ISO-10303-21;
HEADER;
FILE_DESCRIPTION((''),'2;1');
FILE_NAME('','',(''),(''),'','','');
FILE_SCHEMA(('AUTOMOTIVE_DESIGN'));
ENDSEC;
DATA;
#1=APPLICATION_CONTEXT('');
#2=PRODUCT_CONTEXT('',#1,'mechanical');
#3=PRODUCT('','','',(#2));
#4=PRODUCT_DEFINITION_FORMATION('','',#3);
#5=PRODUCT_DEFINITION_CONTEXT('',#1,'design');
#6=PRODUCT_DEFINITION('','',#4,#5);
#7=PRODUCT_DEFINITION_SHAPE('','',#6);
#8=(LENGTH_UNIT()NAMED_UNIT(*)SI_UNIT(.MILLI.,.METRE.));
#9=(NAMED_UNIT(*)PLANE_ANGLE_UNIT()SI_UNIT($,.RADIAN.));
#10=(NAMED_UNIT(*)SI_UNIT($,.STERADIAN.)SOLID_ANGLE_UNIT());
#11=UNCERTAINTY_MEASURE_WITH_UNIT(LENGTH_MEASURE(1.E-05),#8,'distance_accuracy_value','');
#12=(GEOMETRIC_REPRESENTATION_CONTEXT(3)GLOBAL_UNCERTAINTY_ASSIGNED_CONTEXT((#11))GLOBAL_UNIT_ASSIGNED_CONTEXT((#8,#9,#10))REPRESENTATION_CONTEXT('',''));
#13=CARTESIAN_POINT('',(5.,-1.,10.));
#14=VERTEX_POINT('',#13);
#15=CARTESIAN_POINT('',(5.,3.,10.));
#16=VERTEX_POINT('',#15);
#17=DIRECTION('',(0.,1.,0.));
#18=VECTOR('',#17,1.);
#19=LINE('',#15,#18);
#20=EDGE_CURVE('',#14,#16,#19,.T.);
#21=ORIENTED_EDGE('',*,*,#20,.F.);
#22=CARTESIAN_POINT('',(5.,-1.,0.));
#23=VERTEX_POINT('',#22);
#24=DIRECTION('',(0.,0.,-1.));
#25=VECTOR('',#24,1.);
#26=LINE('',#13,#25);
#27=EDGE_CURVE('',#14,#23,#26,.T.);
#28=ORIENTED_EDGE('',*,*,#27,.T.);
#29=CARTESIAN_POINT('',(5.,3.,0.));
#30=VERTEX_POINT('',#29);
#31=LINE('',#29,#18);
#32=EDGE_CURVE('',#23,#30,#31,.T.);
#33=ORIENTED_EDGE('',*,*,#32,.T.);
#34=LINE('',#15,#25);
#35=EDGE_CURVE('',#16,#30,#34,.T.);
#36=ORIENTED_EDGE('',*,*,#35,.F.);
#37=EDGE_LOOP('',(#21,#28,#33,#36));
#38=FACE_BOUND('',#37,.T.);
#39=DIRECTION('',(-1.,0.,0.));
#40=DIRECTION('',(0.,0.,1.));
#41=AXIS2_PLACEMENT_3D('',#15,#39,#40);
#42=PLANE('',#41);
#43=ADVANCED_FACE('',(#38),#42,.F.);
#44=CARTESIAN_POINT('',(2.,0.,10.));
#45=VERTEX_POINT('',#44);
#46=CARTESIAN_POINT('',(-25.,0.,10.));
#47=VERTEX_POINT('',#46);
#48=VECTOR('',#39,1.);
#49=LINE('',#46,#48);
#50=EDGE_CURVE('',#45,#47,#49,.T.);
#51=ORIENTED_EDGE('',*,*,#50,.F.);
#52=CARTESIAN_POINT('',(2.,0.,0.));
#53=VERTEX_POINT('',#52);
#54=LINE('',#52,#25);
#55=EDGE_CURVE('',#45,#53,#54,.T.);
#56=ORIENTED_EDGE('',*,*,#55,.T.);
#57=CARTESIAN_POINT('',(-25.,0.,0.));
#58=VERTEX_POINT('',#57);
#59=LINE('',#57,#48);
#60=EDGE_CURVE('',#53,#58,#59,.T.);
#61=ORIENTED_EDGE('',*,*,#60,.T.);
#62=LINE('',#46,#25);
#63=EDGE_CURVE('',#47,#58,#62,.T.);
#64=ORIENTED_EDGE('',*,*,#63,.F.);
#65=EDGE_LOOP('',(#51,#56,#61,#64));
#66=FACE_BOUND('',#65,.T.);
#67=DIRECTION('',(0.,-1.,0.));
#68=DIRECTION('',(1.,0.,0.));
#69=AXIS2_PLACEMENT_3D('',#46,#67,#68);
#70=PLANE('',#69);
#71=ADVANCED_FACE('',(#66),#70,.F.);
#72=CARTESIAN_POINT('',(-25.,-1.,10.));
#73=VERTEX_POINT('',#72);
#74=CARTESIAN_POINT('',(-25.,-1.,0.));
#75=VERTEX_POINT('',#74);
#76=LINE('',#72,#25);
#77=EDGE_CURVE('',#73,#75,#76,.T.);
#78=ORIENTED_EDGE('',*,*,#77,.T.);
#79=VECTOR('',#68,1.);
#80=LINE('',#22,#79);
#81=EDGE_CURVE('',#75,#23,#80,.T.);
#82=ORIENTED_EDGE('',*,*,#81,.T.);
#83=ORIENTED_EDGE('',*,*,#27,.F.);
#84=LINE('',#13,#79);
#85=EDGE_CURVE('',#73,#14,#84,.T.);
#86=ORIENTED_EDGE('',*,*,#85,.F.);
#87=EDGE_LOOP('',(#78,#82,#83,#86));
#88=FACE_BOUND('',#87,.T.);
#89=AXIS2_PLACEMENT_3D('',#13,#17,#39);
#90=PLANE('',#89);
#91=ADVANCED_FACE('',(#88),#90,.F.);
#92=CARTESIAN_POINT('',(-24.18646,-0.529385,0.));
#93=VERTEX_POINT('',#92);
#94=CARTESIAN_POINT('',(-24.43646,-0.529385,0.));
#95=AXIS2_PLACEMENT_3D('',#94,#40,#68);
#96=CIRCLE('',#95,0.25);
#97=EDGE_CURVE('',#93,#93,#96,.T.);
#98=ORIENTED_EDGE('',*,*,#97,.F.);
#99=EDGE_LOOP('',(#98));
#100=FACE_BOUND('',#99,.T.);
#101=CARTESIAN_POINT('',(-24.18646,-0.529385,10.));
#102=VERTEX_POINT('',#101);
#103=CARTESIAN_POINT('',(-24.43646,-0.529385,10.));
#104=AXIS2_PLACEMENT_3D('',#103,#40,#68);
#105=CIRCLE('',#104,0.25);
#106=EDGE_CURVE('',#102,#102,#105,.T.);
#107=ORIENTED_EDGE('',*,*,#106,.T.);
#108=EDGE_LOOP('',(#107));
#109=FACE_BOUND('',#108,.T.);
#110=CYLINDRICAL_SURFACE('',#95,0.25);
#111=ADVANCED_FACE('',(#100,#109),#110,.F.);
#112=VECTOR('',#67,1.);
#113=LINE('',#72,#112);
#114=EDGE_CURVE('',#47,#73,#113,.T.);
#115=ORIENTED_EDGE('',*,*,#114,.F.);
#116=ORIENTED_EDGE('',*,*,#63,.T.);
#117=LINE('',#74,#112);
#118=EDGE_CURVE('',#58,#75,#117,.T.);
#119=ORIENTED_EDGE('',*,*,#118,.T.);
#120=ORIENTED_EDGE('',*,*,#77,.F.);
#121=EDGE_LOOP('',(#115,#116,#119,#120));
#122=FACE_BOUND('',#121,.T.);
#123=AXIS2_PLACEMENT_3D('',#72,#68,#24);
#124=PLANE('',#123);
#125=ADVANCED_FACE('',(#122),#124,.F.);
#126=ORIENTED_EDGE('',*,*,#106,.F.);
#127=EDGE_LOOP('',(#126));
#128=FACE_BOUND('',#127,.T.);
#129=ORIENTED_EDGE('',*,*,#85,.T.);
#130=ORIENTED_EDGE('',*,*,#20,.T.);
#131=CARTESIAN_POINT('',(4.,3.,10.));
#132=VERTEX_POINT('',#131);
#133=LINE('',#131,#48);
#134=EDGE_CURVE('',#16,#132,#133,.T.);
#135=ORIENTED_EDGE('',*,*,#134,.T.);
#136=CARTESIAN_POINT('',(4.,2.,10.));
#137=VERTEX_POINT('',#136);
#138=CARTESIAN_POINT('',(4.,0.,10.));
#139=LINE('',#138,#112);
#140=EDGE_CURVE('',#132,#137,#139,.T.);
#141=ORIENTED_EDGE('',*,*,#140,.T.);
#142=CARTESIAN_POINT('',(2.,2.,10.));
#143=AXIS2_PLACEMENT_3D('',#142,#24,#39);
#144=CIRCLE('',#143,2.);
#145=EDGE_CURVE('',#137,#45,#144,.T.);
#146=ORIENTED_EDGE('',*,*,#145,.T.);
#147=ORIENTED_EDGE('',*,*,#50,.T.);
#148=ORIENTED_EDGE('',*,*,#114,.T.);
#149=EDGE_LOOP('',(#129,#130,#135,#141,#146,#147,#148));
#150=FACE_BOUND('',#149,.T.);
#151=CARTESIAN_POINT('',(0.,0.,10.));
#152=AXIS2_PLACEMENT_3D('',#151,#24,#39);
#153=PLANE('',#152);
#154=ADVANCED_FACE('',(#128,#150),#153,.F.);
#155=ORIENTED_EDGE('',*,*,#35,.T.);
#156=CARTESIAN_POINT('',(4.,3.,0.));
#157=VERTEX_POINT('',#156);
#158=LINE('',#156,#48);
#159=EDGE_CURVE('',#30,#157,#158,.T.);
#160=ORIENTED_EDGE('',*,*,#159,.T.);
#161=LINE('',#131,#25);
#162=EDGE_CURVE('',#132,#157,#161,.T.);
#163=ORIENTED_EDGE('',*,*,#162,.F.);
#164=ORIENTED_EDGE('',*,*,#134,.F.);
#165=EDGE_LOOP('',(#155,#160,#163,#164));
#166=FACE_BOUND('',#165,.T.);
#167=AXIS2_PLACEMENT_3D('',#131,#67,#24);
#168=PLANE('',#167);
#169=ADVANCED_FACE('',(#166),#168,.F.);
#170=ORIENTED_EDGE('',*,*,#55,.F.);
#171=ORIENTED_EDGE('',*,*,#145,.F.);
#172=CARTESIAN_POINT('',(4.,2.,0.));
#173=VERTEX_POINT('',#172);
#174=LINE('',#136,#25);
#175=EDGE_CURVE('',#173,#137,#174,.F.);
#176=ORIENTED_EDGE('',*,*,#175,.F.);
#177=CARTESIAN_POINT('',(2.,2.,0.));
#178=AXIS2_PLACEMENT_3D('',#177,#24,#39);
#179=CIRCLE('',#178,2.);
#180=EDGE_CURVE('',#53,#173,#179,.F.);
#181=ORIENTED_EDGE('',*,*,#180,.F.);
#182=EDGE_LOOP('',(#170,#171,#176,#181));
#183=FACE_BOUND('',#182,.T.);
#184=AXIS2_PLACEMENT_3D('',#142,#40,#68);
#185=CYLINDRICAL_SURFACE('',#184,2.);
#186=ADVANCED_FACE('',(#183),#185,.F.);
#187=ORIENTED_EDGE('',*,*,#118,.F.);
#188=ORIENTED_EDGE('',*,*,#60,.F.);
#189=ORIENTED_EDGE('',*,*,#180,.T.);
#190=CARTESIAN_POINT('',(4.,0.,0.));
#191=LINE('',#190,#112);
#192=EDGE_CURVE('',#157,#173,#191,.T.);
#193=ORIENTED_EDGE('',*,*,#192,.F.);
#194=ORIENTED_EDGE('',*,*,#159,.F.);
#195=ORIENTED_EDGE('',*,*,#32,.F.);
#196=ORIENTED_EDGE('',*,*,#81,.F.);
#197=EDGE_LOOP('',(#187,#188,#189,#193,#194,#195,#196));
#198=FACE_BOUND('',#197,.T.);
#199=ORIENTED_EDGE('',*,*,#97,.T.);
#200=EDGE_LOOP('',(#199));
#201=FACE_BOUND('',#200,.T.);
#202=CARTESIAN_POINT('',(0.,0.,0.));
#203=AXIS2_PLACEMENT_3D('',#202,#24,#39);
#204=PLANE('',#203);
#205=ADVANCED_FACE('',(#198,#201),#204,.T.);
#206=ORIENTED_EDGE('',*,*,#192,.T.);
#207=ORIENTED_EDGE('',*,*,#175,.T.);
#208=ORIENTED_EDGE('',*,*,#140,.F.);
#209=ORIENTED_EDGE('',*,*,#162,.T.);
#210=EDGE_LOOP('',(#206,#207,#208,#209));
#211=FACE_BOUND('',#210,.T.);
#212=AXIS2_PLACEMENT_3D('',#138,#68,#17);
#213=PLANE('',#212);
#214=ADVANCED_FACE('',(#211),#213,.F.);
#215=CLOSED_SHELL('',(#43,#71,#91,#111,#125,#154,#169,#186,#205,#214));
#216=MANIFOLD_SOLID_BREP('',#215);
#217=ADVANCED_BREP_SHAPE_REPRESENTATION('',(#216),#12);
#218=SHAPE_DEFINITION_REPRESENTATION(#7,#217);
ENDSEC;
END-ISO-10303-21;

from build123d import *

# Parameters (mm, degrees)
BOSS_EXTRUDE1_DEPTH = 10
FILLET1_R           = 2
SKETCH3_R           = 0.25
CUT_EXTRUDE1_DEPTH  = 11


with BuildPart() as part:
    # Sketch1 → Boss-Extrude1 (new body)
    with BuildSketch(Plane.XY):
        Polygon((4, 3), (5, 3), (5, -1), (-25, -1), (-25, 0), (4, 0), align=None)
    extrude(amount=BOSS_EXTRUDE1_DEPTH)

    # Fillet1
    fillet1_edges = [part.edges().sort_by_distance(p)[0] for p in [
        (4, 0, 5),
    ]]
    fillet(fillet1_edges, radius=FILLET1_R)

    # Sketch3 → Cut-Extrude1 (cut, through all)
    with BuildSketch(Plane.XY.offset(10)):
        with Locations((-24.436460419, -0.529384592)):
            Circle(SKETCH3_R)
    extrude(amount=-CUT_EXTRUDE1_DEPTH, mode=Mode.SUBTRACT)


solid = part.part
